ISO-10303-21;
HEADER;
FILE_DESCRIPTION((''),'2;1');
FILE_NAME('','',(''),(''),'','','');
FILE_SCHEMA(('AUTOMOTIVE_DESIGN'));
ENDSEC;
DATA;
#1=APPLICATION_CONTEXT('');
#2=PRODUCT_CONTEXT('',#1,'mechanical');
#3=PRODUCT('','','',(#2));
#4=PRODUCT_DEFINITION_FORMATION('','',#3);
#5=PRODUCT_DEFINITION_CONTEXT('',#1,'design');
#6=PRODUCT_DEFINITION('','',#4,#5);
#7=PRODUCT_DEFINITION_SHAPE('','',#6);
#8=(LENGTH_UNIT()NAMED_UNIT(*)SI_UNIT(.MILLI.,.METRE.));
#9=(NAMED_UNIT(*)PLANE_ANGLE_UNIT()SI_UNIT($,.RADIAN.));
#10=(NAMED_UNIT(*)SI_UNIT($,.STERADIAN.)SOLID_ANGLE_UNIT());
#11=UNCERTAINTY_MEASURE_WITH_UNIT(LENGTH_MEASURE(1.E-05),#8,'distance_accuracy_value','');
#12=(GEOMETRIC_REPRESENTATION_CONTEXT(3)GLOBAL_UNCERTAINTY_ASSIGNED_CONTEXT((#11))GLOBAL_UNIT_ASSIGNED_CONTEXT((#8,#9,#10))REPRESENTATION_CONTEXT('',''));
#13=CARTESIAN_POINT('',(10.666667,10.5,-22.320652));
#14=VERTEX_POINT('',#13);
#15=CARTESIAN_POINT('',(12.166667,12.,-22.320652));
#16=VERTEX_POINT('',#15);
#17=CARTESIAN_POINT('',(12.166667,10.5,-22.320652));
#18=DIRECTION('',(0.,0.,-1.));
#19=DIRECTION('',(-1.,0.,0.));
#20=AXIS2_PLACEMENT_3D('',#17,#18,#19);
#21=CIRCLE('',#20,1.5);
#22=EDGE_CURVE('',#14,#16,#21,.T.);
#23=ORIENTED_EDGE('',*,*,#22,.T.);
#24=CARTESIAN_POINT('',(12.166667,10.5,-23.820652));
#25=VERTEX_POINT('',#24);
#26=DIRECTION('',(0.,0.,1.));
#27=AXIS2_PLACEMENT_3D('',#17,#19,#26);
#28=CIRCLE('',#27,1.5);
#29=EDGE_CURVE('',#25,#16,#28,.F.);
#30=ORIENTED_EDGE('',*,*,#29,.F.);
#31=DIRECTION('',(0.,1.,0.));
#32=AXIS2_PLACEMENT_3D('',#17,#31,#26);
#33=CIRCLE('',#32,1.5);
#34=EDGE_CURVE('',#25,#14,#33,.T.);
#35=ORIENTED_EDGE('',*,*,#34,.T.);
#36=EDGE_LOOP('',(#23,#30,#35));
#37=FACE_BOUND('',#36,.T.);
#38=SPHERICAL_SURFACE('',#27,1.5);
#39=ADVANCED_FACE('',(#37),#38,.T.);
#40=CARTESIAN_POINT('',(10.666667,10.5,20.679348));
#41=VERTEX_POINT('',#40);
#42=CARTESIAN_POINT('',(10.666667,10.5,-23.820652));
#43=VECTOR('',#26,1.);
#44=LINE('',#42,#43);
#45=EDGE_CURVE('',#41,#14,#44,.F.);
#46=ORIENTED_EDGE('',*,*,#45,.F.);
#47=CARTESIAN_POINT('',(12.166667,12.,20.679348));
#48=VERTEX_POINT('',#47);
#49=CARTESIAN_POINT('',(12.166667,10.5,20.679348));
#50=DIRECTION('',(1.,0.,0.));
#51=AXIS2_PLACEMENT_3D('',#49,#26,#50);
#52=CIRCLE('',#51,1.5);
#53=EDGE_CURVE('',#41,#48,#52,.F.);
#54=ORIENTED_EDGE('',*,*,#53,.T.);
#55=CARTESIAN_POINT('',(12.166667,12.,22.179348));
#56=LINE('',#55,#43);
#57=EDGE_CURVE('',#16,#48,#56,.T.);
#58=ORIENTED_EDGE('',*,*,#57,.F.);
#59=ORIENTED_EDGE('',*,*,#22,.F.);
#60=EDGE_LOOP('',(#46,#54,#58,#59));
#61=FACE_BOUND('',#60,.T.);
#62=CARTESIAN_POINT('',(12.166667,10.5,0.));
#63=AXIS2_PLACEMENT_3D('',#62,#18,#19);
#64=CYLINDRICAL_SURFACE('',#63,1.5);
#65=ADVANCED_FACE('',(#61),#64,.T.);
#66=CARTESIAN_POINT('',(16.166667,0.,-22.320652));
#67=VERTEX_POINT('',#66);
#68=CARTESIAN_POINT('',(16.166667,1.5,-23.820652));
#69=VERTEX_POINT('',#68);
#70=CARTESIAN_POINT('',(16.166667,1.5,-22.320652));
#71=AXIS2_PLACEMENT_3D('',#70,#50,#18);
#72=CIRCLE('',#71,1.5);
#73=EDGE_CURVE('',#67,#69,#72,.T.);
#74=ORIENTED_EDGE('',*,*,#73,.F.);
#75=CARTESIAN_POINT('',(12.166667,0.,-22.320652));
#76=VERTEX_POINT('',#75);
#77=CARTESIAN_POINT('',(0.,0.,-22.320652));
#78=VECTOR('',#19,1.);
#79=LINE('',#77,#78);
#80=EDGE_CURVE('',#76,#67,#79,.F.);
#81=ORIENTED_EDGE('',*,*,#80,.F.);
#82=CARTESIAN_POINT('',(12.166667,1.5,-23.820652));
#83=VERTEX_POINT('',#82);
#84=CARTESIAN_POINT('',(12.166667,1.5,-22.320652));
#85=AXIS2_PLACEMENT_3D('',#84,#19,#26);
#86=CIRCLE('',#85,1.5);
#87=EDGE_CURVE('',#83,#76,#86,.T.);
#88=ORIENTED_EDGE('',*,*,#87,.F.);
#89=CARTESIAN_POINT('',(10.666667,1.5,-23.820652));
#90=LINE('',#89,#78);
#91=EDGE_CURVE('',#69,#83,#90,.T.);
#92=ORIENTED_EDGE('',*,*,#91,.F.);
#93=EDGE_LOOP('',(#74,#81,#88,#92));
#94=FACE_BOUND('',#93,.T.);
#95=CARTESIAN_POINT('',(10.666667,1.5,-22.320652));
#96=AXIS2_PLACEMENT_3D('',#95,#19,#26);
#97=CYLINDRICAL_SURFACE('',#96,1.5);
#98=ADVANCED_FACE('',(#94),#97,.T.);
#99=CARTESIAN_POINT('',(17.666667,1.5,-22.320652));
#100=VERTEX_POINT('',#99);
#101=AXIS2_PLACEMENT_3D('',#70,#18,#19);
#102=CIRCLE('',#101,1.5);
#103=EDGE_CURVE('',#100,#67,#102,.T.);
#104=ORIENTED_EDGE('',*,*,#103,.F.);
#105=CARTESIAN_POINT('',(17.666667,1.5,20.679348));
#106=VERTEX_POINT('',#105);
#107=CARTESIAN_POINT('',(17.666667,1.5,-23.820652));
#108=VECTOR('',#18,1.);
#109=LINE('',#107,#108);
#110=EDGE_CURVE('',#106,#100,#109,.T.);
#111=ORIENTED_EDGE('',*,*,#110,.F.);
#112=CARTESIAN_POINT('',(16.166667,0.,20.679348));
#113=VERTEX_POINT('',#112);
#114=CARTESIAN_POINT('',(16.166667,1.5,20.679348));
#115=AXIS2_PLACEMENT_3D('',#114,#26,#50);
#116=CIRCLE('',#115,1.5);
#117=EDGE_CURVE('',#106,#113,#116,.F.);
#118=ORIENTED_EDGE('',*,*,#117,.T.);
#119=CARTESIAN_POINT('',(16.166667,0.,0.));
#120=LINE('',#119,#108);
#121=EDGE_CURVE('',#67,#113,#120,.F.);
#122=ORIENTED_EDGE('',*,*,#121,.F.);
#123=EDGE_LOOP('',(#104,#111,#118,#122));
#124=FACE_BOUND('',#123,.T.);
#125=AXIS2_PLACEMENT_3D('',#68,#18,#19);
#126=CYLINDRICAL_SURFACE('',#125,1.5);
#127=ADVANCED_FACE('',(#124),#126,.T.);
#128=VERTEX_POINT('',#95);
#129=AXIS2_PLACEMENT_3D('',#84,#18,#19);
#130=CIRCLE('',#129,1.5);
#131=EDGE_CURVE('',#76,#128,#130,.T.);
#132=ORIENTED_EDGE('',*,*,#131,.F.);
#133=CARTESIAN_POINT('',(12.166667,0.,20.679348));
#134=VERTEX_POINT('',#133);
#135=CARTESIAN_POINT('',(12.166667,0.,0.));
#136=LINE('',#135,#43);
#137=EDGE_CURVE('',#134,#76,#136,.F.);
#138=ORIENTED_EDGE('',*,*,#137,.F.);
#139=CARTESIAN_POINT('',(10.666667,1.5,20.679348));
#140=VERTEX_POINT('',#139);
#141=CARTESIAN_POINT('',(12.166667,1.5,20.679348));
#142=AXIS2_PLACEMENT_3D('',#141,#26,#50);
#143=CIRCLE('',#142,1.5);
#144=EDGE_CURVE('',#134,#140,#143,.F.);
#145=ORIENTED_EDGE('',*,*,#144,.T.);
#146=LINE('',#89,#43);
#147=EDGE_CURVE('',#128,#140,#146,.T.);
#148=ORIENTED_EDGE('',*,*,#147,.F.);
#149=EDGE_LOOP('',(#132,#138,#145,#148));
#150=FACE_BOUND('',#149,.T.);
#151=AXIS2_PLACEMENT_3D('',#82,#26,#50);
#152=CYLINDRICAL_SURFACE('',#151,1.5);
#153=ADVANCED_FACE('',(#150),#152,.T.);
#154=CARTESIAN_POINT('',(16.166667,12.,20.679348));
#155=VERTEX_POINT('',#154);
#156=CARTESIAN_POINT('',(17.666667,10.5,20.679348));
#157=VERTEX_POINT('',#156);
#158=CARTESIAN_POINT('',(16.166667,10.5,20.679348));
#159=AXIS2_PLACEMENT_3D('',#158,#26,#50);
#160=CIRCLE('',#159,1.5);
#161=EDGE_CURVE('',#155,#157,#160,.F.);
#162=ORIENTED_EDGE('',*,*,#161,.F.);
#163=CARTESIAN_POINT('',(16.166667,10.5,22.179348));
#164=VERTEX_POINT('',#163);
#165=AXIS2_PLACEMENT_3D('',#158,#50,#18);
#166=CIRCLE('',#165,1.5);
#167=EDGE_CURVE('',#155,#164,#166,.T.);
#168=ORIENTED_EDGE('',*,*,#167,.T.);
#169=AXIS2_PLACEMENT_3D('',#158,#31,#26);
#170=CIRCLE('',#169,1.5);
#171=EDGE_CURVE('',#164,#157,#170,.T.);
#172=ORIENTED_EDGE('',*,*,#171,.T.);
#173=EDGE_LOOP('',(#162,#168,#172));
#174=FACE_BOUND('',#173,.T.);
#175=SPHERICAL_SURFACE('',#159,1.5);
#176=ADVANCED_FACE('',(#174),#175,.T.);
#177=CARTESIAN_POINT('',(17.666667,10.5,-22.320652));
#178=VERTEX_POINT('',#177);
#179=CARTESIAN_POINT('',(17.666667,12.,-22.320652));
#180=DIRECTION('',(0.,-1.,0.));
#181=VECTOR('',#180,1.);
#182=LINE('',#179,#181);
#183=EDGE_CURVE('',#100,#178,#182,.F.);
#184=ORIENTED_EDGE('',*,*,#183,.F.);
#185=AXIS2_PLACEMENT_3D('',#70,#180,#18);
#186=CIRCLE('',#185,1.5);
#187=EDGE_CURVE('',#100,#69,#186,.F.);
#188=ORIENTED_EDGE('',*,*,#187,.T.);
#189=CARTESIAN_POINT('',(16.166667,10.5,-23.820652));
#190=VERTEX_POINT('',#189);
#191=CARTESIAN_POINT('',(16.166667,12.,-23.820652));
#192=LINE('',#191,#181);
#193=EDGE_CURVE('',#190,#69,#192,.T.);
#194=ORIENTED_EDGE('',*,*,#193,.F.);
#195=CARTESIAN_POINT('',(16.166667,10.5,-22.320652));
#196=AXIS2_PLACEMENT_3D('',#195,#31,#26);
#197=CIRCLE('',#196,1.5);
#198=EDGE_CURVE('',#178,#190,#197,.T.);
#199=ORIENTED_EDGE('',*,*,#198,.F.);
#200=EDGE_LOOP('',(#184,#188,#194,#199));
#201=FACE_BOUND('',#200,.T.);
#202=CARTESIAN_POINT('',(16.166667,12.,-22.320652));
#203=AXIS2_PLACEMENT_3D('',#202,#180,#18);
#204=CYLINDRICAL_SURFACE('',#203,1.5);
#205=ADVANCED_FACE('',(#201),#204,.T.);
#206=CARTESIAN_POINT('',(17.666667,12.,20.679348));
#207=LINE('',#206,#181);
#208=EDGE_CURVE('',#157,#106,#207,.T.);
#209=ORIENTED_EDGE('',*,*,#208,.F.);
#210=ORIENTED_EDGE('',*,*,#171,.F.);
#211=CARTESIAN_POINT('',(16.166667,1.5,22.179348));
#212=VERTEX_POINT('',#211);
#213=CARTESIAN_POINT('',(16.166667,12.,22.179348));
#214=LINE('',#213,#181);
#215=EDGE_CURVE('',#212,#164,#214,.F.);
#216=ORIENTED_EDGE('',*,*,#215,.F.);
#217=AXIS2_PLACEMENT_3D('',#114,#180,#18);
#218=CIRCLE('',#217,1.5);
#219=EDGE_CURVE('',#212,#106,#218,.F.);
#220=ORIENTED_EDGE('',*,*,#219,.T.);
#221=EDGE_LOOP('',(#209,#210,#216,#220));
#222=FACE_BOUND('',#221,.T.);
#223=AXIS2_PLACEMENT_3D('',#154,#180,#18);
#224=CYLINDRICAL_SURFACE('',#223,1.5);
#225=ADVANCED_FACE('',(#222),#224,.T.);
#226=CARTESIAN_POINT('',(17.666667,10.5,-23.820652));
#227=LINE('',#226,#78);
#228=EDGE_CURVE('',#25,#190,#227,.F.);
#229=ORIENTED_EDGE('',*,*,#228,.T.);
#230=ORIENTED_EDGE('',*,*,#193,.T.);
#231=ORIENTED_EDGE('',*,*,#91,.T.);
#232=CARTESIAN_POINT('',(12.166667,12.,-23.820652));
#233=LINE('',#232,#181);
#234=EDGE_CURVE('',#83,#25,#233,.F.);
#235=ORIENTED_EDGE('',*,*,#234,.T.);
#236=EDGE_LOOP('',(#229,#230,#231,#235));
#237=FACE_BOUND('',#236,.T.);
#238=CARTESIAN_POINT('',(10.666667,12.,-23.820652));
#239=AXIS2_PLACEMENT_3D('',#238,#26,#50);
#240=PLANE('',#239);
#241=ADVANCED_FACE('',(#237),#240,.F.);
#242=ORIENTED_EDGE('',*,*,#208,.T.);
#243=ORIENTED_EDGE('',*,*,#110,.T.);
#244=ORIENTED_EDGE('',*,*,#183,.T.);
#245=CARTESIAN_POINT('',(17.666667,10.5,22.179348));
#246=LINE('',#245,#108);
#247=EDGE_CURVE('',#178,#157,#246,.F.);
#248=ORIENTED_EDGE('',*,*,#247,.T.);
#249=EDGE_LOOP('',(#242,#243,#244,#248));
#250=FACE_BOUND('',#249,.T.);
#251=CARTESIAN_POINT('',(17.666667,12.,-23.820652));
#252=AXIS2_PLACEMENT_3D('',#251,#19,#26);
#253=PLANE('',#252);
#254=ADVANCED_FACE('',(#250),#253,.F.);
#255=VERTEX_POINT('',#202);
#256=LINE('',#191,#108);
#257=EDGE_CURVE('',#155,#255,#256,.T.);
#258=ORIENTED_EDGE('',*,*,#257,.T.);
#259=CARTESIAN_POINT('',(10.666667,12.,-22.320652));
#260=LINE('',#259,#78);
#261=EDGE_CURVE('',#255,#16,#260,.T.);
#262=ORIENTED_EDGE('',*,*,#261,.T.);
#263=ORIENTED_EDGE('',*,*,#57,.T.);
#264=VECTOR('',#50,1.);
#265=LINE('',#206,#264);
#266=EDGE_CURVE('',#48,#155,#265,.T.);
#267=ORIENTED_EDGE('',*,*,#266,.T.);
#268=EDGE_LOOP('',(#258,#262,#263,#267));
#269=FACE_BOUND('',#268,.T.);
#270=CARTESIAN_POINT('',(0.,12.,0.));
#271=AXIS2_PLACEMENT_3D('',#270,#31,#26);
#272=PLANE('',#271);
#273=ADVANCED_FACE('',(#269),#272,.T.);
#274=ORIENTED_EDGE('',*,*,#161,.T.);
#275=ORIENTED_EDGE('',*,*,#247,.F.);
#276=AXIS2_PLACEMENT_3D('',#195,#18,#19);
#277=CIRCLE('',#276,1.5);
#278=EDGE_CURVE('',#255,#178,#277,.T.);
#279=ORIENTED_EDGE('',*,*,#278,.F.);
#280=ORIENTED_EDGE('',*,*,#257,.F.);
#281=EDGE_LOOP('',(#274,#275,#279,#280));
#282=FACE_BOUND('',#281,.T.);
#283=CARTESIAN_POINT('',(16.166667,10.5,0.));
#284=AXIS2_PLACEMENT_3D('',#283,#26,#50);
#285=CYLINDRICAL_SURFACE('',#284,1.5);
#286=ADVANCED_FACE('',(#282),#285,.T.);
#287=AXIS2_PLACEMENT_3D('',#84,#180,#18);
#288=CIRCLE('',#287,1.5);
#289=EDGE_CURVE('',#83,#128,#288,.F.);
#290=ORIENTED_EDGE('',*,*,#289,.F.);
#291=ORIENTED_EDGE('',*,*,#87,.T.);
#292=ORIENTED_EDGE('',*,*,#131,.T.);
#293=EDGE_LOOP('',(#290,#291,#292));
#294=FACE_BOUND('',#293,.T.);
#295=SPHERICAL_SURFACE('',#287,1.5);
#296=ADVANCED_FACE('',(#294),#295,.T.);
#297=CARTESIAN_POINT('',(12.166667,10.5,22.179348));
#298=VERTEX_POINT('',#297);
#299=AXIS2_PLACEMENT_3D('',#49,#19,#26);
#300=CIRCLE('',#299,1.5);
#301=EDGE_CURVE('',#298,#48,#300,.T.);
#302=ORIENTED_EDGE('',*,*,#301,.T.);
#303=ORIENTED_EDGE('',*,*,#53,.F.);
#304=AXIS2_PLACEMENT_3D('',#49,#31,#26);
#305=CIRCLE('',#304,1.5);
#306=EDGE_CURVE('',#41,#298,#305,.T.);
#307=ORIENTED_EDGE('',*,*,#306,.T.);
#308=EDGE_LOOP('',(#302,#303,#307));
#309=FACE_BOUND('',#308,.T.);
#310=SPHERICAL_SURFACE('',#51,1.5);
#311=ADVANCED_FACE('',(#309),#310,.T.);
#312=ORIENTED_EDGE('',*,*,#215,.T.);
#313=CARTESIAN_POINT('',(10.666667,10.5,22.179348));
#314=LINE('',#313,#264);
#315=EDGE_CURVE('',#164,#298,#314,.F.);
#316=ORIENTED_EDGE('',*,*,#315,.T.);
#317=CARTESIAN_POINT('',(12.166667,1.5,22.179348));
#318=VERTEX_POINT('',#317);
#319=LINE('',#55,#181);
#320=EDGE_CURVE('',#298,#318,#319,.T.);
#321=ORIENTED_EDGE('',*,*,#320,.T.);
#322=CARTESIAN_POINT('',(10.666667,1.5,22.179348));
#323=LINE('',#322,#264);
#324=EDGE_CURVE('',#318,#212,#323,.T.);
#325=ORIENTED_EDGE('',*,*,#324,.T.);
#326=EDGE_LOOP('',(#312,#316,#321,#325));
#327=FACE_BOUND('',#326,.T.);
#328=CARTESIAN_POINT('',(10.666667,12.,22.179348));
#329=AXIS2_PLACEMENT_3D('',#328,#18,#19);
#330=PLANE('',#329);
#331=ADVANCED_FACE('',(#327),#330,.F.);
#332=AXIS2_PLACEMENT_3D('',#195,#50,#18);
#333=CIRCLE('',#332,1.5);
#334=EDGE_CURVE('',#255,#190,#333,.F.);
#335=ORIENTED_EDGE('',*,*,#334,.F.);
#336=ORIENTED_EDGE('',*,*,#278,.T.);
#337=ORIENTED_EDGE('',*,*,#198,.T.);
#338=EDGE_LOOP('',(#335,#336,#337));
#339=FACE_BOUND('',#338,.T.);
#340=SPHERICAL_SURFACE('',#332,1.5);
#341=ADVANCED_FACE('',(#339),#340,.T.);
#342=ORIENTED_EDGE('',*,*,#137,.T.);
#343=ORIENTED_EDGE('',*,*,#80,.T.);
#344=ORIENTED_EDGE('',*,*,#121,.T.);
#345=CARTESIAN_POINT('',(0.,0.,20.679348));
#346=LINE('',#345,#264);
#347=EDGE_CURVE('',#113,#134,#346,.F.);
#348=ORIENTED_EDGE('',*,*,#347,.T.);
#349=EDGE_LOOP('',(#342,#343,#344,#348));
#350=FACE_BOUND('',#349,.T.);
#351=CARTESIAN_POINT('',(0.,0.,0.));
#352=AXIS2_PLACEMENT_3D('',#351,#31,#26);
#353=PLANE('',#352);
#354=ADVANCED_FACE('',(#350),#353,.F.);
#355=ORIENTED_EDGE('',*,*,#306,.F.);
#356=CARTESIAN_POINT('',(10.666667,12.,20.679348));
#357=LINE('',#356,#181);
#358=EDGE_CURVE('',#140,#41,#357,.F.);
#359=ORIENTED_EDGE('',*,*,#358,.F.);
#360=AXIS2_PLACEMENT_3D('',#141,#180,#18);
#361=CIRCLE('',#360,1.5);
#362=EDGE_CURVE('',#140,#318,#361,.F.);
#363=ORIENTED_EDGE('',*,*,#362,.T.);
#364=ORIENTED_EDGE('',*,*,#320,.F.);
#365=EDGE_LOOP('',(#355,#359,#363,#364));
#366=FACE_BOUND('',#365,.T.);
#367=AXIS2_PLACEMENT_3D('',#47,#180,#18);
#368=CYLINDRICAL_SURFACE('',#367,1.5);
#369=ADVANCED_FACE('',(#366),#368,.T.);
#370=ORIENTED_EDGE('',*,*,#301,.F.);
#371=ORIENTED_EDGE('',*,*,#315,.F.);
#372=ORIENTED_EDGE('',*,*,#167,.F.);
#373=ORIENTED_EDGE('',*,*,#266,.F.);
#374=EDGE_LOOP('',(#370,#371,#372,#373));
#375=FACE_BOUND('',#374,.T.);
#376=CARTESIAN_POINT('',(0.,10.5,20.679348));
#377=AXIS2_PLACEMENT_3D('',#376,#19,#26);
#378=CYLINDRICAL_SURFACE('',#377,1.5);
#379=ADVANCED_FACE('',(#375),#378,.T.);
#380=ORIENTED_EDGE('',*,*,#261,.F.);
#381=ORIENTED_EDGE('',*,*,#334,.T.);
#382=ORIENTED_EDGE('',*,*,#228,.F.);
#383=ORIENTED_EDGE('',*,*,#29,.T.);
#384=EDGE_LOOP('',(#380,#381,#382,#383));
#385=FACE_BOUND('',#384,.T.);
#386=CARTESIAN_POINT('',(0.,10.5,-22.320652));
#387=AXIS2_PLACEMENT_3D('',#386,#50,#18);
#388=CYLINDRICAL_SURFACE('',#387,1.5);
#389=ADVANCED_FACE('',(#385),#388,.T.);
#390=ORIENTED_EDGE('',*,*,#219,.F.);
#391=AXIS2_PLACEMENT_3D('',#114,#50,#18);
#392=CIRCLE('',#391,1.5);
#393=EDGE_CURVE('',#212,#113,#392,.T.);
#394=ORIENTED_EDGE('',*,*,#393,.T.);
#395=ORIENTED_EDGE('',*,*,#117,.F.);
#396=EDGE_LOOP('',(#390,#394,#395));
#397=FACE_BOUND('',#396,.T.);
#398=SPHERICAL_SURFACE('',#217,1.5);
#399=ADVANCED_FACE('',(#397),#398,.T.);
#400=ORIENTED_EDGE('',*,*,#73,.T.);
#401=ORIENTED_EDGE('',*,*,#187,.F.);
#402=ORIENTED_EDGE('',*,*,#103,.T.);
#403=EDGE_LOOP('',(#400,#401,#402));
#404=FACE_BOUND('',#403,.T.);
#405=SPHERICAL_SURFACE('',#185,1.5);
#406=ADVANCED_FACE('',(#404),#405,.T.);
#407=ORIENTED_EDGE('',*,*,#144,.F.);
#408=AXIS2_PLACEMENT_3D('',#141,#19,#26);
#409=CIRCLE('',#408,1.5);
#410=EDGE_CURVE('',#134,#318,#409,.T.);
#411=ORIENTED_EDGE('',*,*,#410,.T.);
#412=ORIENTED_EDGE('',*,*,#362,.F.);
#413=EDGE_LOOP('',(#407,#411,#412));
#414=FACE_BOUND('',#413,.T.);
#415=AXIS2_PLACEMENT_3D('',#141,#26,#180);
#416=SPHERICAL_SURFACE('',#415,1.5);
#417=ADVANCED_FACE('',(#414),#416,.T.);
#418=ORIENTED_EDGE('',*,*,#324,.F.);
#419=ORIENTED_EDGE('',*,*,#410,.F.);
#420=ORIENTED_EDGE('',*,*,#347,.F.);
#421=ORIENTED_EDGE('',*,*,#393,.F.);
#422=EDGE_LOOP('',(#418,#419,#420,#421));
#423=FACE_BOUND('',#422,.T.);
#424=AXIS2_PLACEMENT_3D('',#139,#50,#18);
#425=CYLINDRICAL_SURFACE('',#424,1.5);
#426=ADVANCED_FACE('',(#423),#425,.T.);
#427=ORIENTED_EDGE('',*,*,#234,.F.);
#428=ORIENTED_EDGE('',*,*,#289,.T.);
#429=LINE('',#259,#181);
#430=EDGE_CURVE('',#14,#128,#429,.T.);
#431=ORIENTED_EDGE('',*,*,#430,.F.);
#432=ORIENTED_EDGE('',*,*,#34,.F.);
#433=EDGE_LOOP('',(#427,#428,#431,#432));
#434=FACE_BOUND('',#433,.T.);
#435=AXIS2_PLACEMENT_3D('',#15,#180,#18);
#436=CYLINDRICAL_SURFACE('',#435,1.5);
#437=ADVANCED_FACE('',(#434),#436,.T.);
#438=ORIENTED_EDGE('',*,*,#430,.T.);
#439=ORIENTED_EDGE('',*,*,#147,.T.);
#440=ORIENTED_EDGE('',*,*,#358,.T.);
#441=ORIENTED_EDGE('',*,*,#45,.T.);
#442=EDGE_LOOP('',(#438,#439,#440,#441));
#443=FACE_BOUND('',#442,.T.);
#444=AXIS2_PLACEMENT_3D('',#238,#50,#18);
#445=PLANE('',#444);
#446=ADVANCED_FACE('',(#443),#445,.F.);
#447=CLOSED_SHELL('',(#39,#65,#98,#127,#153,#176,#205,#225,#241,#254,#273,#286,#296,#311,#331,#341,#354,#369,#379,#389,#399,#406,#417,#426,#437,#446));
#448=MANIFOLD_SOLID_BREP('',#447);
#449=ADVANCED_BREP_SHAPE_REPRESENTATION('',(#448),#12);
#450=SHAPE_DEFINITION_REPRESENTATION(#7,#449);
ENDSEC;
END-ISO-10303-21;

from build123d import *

# Parameters (mm, degrees)
ESBO_O1_W                = 7
ESBO_O1_H                = 46
RESSALTO_EXTRUS_O1_DEPTH = 12
FILETE1_R                = 1.5


with BuildPart() as part:
    # Esboço1 → Ressalto-extrusão1 (new body)
    with BuildSketch(Plane(origin=(0, 0, 0), x_dir=(1, 0, 0), z_dir=(0, 1, 0))):
        with Locations((14.166666667, 0.820652174)):
            Rectangle(ESBO_O1_W, ESBO_O1_H)
    extrude(amount=RESSALTO_EXTRUS_O1_DEPTH)

    # Filete1
    filete1_edges = [part.edges().sort_by_distance(p)[0] for p in [
        (17.666666667, 12, -0.820652174),
        (14.166666667, 12, -23.820652174),
        (10.666666667, 12, -0.820652174),
        (14.166666667, 0, -23.820652174),
        (17.666666667, 0, -0.820652174),
        (14.166666667, 0, 22.179347826),
        (10.666666667, 0, -0.820652174),
        (10.666666667, 6, -23.820652174),
        (17.666666667, 6, -23.820652174),
        (17.666666667, 6, 22.179347826),
        (10.666666667, 6, 22.179347826),
        (14.166666667, 12, 22.179347826),
    ]]
    fillet(filete1_edges, radius=FILETE1_R)


solid = part.part
